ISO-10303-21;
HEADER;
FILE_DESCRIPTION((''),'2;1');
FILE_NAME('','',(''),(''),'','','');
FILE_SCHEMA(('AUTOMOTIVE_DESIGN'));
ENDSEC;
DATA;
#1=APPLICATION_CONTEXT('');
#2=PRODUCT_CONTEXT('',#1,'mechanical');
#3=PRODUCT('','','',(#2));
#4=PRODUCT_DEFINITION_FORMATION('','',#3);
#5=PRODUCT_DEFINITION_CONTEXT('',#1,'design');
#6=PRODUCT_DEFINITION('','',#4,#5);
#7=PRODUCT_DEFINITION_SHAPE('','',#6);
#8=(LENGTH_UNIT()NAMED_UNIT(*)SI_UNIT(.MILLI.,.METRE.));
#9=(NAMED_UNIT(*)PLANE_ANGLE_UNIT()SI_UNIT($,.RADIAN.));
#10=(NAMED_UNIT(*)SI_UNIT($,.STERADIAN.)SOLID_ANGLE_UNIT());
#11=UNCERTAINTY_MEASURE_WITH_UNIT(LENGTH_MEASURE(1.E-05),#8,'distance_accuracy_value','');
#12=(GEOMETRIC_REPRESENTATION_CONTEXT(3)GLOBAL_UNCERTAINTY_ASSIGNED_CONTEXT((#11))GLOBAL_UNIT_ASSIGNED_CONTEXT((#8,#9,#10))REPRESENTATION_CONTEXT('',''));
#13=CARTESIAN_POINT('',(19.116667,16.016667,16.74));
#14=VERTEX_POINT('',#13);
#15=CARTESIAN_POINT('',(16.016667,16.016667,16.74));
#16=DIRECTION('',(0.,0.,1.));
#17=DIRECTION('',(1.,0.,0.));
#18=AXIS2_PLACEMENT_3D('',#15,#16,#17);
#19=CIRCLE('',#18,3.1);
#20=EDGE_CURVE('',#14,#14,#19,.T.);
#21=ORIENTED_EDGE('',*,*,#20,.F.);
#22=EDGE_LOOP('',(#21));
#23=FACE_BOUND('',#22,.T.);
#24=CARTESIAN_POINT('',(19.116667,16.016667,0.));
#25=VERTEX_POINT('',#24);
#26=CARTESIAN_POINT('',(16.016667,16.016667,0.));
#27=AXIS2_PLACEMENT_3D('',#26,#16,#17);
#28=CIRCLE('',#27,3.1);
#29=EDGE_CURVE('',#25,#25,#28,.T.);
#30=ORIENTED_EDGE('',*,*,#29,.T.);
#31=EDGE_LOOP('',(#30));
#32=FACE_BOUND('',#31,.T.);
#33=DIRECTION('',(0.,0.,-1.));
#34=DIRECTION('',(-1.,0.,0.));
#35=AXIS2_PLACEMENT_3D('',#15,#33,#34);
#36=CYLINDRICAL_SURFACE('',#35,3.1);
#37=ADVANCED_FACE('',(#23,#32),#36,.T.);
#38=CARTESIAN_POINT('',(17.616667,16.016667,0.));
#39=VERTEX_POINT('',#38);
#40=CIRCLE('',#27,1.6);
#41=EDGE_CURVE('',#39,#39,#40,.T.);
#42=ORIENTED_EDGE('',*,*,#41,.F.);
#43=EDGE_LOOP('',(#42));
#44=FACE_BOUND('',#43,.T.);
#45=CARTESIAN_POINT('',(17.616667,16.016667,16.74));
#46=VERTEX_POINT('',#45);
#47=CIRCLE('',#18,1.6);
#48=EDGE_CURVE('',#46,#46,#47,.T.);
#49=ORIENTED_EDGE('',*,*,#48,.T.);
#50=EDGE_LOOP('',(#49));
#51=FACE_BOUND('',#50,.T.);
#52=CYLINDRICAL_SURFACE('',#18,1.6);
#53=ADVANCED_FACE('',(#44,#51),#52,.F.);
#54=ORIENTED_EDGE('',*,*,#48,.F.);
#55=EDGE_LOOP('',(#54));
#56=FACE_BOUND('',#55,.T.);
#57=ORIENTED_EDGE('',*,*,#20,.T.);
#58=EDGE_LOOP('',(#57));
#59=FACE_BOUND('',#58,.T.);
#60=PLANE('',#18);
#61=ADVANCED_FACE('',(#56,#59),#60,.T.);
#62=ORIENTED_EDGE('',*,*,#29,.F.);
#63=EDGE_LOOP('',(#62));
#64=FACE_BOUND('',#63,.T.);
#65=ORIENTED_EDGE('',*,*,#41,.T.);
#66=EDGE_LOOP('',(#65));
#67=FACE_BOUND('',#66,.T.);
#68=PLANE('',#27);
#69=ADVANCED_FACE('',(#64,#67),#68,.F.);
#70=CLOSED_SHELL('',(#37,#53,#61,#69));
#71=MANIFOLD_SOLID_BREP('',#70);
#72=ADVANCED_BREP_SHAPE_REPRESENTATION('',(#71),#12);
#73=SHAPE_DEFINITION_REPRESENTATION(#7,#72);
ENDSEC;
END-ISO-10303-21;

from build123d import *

# Parameters (mm, degrees)
ESBO_O1_R                = 3.1
ESBO_O1_R_2              = 1.55
RESSALTO_EXTRUS_O1_DEPTH = 16.74
M3_CLEARANCE_HOLE1_D     = 3.2


with BuildPart() as part:
    # Esboço1 → Ressalto-extrusão1 (new body)
    with BuildSketch(Plane.XY):
        with Locations((16.016666667, 16.016666667)):
            Circle(ESBO_O1_R)
        with Locations((16.016666667, 16.016666667)):
            Circle(ESBO_O1_R_2, mode=Mode.SUBTRACT)
    extrude(amount=RESSALTO_EXTRUS_O1_DEPTH)

    # M3 Clearance Hole1 (through all)
    with Locations(Plane(origin=(16.016666667, 16.016666667, 16.74), x_dir=(1, 0, 0), z_dir=(0, 0, 1))):
        with Locations((0, 0)):
            Hole(M3_CLEARANCE_HOLE1_D / 2)


solid = part.part
